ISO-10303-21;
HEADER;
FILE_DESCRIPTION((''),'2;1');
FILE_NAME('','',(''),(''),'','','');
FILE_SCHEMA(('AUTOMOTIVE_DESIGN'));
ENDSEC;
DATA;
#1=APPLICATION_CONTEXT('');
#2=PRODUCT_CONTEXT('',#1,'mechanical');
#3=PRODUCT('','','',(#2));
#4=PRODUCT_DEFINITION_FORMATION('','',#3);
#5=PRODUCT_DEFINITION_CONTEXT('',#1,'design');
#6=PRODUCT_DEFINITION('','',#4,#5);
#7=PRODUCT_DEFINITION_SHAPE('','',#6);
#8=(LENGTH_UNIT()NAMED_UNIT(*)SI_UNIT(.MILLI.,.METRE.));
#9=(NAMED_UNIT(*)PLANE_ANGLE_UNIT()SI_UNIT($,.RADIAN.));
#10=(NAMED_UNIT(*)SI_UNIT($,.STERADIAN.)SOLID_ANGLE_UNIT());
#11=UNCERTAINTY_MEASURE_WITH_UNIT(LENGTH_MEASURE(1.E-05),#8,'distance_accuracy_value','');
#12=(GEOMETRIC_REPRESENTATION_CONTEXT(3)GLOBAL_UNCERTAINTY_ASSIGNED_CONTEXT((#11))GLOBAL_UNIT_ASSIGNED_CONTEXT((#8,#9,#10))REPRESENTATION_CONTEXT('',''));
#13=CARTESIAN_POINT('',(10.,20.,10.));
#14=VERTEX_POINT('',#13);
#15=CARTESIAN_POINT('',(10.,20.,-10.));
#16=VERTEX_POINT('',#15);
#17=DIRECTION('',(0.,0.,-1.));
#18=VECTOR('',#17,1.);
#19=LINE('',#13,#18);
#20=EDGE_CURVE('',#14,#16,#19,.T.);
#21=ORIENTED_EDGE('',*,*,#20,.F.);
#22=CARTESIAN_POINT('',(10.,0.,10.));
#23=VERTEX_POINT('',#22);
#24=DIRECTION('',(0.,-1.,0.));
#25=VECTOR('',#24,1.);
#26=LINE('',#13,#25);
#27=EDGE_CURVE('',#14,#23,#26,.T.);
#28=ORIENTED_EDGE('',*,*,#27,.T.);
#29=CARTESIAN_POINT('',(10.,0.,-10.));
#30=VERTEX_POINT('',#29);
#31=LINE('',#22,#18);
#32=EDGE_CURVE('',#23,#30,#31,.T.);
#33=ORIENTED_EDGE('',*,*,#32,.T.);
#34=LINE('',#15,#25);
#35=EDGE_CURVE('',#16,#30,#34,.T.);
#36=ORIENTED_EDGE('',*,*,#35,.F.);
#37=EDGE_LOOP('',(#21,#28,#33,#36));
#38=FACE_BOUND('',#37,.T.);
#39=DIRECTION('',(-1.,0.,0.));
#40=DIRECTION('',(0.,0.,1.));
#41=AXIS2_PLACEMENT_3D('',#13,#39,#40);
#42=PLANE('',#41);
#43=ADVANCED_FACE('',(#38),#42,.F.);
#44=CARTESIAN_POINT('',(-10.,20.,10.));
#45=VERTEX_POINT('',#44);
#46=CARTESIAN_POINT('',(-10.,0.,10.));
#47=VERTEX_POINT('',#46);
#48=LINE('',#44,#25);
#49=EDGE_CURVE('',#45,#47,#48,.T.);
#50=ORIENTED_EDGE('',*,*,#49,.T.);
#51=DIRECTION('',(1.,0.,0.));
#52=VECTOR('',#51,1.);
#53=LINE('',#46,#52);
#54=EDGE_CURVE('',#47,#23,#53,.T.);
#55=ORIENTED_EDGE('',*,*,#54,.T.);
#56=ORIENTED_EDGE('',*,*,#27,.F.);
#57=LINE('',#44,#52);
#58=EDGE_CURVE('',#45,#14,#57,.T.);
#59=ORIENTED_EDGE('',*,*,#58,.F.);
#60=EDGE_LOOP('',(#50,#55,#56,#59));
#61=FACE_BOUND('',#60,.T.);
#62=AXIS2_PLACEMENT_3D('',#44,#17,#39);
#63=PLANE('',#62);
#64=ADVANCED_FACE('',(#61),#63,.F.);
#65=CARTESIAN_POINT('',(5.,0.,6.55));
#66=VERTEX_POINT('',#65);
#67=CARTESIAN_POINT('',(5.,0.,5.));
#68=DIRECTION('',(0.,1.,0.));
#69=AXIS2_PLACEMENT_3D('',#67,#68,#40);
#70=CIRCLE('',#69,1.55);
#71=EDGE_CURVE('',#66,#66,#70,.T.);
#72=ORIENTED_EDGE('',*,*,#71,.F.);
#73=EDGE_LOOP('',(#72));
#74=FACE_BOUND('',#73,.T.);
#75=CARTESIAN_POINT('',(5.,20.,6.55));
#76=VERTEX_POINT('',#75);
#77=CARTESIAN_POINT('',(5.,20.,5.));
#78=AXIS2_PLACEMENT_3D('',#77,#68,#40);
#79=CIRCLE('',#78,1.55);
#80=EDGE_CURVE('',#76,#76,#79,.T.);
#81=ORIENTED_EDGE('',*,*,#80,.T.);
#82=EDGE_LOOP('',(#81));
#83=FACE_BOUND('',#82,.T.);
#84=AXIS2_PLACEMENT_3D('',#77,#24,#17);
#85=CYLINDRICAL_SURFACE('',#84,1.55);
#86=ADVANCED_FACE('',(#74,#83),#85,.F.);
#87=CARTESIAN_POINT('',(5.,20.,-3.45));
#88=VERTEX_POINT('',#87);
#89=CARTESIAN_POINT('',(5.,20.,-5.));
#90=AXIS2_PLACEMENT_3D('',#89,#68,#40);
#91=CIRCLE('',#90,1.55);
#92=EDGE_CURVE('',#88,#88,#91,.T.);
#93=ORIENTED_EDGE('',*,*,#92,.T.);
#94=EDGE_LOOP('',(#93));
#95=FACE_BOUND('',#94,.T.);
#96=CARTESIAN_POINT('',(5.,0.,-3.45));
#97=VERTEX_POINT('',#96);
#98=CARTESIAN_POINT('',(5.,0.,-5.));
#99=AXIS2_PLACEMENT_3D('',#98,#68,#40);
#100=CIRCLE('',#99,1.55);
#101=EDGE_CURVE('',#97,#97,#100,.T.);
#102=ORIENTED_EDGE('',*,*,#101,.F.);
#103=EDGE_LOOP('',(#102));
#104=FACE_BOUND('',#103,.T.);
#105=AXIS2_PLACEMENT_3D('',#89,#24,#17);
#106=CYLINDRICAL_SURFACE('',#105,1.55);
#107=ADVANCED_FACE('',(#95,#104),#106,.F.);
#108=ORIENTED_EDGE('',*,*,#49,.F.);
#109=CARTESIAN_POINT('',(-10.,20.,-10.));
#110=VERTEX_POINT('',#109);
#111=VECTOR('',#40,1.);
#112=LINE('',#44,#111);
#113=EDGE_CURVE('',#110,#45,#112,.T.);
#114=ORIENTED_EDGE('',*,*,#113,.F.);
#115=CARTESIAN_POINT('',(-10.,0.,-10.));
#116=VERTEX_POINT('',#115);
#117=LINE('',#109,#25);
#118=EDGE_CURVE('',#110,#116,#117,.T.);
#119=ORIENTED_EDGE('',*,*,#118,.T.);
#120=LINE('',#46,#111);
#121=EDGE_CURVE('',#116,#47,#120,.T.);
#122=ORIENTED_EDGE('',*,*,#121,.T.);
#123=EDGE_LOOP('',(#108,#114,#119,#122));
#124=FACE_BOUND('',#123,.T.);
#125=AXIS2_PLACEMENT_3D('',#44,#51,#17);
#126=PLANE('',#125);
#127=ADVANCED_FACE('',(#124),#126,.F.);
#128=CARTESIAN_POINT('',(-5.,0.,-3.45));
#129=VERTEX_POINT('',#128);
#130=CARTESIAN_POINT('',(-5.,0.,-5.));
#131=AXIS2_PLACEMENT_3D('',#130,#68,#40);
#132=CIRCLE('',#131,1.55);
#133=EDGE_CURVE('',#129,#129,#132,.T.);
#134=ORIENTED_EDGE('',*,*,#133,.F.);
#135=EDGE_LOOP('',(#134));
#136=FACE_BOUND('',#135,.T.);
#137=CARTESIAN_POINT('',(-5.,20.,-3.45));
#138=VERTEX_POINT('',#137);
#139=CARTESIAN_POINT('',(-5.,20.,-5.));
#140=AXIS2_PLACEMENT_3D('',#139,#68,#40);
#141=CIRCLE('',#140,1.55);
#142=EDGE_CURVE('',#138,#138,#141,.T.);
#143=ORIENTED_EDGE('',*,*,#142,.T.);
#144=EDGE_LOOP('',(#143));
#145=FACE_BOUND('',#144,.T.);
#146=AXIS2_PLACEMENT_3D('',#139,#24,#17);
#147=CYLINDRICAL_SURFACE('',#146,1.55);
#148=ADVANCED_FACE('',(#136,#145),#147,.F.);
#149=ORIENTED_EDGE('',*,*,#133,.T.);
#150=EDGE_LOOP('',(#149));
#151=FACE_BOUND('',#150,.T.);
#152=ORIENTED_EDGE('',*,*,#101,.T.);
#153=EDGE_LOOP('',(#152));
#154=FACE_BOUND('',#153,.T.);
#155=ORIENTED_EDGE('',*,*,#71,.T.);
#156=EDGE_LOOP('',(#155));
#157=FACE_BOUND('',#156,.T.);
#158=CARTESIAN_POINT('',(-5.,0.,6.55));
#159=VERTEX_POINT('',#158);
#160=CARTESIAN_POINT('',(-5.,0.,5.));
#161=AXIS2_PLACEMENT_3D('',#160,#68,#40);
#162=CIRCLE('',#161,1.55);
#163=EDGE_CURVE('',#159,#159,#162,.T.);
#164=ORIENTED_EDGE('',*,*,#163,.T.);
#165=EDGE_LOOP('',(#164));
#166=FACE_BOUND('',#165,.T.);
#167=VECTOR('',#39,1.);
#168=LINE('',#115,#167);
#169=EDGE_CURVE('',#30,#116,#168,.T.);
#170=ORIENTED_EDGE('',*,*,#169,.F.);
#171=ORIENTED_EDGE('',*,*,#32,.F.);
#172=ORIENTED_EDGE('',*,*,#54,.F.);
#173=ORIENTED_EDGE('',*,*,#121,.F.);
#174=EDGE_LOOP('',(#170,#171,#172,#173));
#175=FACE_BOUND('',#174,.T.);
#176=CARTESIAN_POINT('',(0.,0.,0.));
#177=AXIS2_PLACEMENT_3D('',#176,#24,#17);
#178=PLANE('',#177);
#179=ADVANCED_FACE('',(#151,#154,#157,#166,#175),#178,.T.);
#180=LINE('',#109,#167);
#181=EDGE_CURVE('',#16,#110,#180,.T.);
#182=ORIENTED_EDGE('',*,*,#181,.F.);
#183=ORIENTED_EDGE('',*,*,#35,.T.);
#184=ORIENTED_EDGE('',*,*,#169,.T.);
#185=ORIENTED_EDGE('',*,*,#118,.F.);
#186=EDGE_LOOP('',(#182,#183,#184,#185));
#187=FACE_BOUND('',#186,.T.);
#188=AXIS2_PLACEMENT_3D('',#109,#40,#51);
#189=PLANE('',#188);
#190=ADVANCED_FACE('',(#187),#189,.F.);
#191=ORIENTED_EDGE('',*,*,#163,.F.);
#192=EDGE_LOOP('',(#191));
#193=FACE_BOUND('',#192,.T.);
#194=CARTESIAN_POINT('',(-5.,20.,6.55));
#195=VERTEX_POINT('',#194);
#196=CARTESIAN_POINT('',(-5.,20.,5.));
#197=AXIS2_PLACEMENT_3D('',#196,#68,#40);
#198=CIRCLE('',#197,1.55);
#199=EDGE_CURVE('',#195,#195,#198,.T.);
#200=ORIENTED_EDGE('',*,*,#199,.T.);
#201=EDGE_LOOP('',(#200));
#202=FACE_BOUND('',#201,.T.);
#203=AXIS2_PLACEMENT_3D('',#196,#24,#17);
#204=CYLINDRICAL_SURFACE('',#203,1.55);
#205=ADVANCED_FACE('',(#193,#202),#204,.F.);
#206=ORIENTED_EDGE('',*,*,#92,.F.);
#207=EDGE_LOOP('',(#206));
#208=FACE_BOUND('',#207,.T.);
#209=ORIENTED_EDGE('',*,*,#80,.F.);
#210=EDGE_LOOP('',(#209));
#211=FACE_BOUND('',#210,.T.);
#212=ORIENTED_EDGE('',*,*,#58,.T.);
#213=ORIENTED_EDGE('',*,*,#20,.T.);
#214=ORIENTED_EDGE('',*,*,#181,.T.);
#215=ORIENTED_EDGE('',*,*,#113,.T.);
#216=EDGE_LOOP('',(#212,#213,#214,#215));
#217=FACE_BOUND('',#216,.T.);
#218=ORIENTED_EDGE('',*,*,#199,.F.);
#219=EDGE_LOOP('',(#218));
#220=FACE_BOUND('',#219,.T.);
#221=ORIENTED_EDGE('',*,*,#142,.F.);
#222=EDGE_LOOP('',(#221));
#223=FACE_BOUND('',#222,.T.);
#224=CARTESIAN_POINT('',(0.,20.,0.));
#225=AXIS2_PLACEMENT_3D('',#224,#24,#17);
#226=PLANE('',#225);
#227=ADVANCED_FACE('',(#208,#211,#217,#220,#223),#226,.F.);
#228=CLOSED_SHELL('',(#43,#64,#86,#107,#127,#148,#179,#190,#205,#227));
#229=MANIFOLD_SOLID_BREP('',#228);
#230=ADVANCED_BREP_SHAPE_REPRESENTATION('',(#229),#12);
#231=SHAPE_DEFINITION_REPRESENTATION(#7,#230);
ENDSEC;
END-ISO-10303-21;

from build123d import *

# Parameters (mm, degrees)
SKETCH_1_W      = 20
SKETCH_1_H      = 20
SKETCH_1_R      = 1.55
EXTRUDE_1_DEPTH = 20


with BuildPart() as part:
    # 草图1 → 凸台-拉伸1 (new body)
    with BuildSketch(Plane(origin=(0, 0, 0), x_dir=(1, 0, 0), z_dir=(0, 1, 0))):
        Rectangle(SKETCH_1_W, SKETCH_1_H)
        with Locations(Location((-5, 5, 0), (0, 0, 270))):
            Circle(SKETCH_1_R, mode=Mode.SUBTRACT)
        with Locations(Location((5, 5, 0), (0, 0, 270))):
            Circle(SKETCH_1_R, mode=Mode.SUBTRACT)
        with Locations(Location((-5, -5, 0), (0, 0, 270))):
            Circle(SKETCH_1_R, mode=Mode.SUBTRACT)
        with Locations(Location((5, -5, 0), (0, 0, 270))):
            Circle(SKETCH_1_R, mode=Mode.SUBTRACT)
    extrude(amount=EXTRUDE_1_DEPTH)


solid = part.part
